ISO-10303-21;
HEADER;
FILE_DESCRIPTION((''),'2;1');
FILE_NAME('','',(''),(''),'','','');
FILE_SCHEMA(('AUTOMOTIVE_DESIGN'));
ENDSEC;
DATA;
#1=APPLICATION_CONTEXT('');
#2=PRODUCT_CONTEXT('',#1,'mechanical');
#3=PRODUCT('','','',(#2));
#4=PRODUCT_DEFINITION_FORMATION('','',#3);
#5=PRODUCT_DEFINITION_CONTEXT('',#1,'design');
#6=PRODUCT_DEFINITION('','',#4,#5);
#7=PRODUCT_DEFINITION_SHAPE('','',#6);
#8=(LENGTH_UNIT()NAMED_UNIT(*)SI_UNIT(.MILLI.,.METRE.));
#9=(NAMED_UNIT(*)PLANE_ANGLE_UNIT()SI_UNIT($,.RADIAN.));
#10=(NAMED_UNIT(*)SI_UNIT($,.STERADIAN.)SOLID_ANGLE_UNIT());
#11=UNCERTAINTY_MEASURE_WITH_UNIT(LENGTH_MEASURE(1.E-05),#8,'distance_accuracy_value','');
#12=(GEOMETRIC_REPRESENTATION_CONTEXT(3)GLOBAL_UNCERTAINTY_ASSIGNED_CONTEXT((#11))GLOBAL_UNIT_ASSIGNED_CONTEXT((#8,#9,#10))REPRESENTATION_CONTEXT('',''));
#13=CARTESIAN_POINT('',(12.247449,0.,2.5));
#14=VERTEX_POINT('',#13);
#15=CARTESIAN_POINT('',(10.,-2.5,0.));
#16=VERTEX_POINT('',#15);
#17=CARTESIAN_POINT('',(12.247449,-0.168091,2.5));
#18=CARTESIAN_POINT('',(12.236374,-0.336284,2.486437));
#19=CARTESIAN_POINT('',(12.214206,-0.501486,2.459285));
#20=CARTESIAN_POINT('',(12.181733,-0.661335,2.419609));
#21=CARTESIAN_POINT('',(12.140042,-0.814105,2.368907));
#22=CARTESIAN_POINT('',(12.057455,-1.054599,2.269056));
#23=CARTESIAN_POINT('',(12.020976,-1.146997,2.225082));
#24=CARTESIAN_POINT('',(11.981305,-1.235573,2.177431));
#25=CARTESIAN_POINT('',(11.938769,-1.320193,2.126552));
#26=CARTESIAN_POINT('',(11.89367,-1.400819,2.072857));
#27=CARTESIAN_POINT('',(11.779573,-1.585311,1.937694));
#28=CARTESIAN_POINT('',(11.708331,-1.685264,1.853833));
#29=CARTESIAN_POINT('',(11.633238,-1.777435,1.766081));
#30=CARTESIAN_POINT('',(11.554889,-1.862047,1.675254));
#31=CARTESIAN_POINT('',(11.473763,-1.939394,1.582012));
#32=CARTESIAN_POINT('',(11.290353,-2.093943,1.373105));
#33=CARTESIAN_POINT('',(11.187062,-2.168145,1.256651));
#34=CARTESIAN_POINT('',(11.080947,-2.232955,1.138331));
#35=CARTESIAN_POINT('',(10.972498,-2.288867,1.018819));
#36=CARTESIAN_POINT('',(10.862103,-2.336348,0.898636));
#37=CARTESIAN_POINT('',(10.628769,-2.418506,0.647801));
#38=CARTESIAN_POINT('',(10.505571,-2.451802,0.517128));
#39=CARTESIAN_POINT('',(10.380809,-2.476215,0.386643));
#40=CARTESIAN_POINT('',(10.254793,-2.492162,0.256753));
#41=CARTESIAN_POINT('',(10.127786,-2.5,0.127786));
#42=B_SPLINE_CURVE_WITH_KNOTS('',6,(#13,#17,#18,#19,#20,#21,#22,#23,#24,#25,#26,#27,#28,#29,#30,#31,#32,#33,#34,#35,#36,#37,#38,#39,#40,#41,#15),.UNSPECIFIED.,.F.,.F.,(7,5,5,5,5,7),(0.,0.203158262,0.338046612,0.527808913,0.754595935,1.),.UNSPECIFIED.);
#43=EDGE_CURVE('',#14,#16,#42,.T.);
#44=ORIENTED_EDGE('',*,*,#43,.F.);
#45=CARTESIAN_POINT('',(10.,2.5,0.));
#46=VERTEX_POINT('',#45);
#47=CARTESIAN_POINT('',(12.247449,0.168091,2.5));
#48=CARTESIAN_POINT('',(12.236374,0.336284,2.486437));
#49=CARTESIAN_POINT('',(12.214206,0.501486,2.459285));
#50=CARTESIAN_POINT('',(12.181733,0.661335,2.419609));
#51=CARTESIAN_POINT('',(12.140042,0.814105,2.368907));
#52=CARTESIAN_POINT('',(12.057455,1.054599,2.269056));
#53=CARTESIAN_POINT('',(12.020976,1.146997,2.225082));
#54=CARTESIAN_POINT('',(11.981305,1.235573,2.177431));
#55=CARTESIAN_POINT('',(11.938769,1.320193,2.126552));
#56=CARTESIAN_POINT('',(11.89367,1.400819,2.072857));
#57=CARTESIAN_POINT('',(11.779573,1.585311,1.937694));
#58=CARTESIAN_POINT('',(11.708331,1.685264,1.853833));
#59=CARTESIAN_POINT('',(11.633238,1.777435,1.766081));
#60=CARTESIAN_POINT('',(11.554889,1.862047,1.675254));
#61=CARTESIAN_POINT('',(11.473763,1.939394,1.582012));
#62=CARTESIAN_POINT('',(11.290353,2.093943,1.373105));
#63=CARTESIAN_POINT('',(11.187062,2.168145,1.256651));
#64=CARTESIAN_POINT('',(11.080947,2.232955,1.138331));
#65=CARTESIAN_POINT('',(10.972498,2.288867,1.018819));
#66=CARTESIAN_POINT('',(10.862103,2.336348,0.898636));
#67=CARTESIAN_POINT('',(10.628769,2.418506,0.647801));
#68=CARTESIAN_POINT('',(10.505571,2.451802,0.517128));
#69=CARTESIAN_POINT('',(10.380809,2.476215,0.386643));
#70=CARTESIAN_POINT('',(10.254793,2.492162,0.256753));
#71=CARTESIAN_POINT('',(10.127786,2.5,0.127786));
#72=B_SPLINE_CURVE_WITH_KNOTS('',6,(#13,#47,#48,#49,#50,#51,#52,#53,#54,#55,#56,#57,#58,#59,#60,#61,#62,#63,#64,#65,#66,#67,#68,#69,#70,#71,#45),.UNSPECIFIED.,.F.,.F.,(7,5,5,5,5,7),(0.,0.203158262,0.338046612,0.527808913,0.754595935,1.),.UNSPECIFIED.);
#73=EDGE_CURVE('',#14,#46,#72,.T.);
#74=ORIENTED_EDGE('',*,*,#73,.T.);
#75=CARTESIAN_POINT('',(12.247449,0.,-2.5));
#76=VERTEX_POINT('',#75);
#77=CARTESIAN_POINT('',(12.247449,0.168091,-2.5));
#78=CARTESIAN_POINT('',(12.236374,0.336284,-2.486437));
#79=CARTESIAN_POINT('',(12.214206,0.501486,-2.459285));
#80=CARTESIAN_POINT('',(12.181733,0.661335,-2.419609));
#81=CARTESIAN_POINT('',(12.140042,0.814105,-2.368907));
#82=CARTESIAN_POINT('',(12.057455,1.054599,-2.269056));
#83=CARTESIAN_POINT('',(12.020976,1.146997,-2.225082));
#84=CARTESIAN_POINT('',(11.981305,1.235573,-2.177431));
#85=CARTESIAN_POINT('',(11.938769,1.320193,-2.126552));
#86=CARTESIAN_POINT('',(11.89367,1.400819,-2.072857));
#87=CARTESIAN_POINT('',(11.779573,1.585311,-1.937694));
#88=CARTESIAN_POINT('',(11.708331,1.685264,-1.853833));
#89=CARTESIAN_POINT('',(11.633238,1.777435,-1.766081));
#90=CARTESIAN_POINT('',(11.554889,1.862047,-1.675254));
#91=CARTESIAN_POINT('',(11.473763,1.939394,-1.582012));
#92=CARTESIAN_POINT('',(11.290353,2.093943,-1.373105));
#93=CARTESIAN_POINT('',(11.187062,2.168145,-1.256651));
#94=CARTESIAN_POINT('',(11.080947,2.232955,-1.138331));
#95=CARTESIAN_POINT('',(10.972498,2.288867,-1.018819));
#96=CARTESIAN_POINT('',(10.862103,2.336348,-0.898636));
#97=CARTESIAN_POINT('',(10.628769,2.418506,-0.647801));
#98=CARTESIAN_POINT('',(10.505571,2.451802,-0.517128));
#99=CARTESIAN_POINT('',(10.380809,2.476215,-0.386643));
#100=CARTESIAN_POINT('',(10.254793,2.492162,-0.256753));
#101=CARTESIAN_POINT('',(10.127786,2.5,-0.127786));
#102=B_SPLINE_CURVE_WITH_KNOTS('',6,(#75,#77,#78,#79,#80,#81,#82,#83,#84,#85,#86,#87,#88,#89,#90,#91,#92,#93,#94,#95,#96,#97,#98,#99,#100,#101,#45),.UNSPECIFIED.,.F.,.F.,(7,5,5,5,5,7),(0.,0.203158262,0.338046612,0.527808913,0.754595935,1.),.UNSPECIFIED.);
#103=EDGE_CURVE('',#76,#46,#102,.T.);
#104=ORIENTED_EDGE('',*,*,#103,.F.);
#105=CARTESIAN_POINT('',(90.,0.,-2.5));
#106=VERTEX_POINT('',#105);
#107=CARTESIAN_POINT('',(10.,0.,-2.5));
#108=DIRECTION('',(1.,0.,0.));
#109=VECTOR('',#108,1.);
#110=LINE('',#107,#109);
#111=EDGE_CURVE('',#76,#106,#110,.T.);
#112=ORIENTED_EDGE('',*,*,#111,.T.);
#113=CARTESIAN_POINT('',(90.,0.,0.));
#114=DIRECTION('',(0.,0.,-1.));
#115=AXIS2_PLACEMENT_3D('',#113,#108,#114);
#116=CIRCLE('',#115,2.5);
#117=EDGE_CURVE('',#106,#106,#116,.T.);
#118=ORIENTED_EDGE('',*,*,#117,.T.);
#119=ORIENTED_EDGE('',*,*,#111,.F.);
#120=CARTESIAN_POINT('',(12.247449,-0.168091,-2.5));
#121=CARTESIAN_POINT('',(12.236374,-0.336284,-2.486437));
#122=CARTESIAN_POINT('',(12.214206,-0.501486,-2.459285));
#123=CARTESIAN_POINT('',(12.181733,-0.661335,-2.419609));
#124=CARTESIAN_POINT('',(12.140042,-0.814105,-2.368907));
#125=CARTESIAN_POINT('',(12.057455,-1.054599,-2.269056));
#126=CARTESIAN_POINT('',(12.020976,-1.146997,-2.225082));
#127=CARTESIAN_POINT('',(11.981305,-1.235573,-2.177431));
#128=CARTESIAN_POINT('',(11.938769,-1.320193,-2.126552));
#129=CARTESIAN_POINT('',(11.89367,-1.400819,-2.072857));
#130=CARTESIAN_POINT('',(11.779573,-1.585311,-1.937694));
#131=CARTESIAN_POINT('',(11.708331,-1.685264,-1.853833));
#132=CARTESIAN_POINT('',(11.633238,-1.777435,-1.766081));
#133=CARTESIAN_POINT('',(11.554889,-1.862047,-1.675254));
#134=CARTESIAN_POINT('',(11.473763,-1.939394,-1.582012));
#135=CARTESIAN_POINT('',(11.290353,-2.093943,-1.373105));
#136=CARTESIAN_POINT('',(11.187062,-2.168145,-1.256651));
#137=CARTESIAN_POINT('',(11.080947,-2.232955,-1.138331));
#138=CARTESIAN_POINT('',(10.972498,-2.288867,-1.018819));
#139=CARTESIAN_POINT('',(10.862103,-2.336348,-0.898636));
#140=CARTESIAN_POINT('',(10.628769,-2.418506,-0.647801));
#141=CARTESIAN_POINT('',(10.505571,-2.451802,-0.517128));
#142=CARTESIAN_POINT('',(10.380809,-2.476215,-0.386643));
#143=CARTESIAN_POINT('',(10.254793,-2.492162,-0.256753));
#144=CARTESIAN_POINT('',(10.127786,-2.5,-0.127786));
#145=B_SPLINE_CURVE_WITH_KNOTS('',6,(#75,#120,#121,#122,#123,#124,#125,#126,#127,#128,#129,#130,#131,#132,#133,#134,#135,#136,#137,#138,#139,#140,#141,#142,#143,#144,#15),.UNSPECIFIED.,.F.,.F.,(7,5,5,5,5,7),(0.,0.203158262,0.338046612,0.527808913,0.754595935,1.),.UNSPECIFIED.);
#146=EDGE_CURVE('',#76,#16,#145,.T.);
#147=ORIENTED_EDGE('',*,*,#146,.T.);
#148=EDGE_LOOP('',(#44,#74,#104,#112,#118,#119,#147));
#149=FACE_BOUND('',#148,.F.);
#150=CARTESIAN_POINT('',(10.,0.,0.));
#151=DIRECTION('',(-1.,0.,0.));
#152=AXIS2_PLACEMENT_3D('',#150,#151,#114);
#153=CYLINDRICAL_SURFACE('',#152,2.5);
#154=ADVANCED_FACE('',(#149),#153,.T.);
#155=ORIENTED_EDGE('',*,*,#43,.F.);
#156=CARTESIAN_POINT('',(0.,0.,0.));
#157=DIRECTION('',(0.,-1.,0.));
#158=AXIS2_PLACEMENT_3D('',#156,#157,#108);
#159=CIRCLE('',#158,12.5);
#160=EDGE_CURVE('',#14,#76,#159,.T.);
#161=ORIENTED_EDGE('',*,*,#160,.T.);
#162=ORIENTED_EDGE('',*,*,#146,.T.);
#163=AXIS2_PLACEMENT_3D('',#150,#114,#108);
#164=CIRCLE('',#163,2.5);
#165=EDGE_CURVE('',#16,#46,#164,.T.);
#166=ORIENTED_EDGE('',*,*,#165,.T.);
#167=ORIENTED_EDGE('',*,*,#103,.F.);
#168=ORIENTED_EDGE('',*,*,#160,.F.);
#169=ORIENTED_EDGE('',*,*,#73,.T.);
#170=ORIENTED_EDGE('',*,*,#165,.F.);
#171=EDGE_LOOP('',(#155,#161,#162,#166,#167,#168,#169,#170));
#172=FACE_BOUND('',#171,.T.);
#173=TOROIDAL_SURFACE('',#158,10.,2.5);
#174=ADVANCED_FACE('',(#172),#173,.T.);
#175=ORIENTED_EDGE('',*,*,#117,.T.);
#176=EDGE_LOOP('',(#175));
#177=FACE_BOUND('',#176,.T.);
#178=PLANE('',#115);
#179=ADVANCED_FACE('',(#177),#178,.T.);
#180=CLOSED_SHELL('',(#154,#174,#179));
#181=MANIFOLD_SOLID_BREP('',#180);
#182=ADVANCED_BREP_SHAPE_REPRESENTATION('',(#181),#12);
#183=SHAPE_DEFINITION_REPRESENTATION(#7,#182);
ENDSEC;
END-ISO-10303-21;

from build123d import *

# Parameters (mm, degrees)
TORUS_R              = 2.5
TORUS_ROLL_ANGLE     = 90
CYLINDER_R           = 2.5
CYLINDER_DEPTH       = 80
CYLINDER_PITCH_ANGLE = 90


with BuildPart() as torus:
    # Torus → Torus (revolve)
    with BuildSketch(Plane.XZ):
        with Locations((10, 0)):
            Circle(TORUS_R)
    revolve(axis=Axis((0, 0, 0), (0, 0, 1)))


with BuildPart() as torus_1:
    # Torus roll: moved
    add(torus.part.rotate(Axis((0, 0, 0), (1, 0, 0)), TORUS_ROLL_ANGLE))


with BuildPart() as torus_2:
    # Torus placement: moved
    add(torus_1.part)


with BuildPart() as fusion:
    # Cylinder → Cylinder (new body)
    with BuildSketch(Plane.XY):
        Circle(CYLINDER_R)
    extrude(amount=CYLINDER_DEPTH)


with BuildPart() as fusion_1:
    # Cylinder pitch: moved
    add(fusion.part.rotate(Axis((0, 0, 0), (0, 1, 0)), CYLINDER_PITCH_ANGLE))


with BuildPart() as fusion_2:
    # Cylinder placement: moved
    add(fusion_1.part.moved(Location((10, 0, 0))))

    # Fusion: union Torus
    add(torus_2.part)


solid = fusion_2.part
